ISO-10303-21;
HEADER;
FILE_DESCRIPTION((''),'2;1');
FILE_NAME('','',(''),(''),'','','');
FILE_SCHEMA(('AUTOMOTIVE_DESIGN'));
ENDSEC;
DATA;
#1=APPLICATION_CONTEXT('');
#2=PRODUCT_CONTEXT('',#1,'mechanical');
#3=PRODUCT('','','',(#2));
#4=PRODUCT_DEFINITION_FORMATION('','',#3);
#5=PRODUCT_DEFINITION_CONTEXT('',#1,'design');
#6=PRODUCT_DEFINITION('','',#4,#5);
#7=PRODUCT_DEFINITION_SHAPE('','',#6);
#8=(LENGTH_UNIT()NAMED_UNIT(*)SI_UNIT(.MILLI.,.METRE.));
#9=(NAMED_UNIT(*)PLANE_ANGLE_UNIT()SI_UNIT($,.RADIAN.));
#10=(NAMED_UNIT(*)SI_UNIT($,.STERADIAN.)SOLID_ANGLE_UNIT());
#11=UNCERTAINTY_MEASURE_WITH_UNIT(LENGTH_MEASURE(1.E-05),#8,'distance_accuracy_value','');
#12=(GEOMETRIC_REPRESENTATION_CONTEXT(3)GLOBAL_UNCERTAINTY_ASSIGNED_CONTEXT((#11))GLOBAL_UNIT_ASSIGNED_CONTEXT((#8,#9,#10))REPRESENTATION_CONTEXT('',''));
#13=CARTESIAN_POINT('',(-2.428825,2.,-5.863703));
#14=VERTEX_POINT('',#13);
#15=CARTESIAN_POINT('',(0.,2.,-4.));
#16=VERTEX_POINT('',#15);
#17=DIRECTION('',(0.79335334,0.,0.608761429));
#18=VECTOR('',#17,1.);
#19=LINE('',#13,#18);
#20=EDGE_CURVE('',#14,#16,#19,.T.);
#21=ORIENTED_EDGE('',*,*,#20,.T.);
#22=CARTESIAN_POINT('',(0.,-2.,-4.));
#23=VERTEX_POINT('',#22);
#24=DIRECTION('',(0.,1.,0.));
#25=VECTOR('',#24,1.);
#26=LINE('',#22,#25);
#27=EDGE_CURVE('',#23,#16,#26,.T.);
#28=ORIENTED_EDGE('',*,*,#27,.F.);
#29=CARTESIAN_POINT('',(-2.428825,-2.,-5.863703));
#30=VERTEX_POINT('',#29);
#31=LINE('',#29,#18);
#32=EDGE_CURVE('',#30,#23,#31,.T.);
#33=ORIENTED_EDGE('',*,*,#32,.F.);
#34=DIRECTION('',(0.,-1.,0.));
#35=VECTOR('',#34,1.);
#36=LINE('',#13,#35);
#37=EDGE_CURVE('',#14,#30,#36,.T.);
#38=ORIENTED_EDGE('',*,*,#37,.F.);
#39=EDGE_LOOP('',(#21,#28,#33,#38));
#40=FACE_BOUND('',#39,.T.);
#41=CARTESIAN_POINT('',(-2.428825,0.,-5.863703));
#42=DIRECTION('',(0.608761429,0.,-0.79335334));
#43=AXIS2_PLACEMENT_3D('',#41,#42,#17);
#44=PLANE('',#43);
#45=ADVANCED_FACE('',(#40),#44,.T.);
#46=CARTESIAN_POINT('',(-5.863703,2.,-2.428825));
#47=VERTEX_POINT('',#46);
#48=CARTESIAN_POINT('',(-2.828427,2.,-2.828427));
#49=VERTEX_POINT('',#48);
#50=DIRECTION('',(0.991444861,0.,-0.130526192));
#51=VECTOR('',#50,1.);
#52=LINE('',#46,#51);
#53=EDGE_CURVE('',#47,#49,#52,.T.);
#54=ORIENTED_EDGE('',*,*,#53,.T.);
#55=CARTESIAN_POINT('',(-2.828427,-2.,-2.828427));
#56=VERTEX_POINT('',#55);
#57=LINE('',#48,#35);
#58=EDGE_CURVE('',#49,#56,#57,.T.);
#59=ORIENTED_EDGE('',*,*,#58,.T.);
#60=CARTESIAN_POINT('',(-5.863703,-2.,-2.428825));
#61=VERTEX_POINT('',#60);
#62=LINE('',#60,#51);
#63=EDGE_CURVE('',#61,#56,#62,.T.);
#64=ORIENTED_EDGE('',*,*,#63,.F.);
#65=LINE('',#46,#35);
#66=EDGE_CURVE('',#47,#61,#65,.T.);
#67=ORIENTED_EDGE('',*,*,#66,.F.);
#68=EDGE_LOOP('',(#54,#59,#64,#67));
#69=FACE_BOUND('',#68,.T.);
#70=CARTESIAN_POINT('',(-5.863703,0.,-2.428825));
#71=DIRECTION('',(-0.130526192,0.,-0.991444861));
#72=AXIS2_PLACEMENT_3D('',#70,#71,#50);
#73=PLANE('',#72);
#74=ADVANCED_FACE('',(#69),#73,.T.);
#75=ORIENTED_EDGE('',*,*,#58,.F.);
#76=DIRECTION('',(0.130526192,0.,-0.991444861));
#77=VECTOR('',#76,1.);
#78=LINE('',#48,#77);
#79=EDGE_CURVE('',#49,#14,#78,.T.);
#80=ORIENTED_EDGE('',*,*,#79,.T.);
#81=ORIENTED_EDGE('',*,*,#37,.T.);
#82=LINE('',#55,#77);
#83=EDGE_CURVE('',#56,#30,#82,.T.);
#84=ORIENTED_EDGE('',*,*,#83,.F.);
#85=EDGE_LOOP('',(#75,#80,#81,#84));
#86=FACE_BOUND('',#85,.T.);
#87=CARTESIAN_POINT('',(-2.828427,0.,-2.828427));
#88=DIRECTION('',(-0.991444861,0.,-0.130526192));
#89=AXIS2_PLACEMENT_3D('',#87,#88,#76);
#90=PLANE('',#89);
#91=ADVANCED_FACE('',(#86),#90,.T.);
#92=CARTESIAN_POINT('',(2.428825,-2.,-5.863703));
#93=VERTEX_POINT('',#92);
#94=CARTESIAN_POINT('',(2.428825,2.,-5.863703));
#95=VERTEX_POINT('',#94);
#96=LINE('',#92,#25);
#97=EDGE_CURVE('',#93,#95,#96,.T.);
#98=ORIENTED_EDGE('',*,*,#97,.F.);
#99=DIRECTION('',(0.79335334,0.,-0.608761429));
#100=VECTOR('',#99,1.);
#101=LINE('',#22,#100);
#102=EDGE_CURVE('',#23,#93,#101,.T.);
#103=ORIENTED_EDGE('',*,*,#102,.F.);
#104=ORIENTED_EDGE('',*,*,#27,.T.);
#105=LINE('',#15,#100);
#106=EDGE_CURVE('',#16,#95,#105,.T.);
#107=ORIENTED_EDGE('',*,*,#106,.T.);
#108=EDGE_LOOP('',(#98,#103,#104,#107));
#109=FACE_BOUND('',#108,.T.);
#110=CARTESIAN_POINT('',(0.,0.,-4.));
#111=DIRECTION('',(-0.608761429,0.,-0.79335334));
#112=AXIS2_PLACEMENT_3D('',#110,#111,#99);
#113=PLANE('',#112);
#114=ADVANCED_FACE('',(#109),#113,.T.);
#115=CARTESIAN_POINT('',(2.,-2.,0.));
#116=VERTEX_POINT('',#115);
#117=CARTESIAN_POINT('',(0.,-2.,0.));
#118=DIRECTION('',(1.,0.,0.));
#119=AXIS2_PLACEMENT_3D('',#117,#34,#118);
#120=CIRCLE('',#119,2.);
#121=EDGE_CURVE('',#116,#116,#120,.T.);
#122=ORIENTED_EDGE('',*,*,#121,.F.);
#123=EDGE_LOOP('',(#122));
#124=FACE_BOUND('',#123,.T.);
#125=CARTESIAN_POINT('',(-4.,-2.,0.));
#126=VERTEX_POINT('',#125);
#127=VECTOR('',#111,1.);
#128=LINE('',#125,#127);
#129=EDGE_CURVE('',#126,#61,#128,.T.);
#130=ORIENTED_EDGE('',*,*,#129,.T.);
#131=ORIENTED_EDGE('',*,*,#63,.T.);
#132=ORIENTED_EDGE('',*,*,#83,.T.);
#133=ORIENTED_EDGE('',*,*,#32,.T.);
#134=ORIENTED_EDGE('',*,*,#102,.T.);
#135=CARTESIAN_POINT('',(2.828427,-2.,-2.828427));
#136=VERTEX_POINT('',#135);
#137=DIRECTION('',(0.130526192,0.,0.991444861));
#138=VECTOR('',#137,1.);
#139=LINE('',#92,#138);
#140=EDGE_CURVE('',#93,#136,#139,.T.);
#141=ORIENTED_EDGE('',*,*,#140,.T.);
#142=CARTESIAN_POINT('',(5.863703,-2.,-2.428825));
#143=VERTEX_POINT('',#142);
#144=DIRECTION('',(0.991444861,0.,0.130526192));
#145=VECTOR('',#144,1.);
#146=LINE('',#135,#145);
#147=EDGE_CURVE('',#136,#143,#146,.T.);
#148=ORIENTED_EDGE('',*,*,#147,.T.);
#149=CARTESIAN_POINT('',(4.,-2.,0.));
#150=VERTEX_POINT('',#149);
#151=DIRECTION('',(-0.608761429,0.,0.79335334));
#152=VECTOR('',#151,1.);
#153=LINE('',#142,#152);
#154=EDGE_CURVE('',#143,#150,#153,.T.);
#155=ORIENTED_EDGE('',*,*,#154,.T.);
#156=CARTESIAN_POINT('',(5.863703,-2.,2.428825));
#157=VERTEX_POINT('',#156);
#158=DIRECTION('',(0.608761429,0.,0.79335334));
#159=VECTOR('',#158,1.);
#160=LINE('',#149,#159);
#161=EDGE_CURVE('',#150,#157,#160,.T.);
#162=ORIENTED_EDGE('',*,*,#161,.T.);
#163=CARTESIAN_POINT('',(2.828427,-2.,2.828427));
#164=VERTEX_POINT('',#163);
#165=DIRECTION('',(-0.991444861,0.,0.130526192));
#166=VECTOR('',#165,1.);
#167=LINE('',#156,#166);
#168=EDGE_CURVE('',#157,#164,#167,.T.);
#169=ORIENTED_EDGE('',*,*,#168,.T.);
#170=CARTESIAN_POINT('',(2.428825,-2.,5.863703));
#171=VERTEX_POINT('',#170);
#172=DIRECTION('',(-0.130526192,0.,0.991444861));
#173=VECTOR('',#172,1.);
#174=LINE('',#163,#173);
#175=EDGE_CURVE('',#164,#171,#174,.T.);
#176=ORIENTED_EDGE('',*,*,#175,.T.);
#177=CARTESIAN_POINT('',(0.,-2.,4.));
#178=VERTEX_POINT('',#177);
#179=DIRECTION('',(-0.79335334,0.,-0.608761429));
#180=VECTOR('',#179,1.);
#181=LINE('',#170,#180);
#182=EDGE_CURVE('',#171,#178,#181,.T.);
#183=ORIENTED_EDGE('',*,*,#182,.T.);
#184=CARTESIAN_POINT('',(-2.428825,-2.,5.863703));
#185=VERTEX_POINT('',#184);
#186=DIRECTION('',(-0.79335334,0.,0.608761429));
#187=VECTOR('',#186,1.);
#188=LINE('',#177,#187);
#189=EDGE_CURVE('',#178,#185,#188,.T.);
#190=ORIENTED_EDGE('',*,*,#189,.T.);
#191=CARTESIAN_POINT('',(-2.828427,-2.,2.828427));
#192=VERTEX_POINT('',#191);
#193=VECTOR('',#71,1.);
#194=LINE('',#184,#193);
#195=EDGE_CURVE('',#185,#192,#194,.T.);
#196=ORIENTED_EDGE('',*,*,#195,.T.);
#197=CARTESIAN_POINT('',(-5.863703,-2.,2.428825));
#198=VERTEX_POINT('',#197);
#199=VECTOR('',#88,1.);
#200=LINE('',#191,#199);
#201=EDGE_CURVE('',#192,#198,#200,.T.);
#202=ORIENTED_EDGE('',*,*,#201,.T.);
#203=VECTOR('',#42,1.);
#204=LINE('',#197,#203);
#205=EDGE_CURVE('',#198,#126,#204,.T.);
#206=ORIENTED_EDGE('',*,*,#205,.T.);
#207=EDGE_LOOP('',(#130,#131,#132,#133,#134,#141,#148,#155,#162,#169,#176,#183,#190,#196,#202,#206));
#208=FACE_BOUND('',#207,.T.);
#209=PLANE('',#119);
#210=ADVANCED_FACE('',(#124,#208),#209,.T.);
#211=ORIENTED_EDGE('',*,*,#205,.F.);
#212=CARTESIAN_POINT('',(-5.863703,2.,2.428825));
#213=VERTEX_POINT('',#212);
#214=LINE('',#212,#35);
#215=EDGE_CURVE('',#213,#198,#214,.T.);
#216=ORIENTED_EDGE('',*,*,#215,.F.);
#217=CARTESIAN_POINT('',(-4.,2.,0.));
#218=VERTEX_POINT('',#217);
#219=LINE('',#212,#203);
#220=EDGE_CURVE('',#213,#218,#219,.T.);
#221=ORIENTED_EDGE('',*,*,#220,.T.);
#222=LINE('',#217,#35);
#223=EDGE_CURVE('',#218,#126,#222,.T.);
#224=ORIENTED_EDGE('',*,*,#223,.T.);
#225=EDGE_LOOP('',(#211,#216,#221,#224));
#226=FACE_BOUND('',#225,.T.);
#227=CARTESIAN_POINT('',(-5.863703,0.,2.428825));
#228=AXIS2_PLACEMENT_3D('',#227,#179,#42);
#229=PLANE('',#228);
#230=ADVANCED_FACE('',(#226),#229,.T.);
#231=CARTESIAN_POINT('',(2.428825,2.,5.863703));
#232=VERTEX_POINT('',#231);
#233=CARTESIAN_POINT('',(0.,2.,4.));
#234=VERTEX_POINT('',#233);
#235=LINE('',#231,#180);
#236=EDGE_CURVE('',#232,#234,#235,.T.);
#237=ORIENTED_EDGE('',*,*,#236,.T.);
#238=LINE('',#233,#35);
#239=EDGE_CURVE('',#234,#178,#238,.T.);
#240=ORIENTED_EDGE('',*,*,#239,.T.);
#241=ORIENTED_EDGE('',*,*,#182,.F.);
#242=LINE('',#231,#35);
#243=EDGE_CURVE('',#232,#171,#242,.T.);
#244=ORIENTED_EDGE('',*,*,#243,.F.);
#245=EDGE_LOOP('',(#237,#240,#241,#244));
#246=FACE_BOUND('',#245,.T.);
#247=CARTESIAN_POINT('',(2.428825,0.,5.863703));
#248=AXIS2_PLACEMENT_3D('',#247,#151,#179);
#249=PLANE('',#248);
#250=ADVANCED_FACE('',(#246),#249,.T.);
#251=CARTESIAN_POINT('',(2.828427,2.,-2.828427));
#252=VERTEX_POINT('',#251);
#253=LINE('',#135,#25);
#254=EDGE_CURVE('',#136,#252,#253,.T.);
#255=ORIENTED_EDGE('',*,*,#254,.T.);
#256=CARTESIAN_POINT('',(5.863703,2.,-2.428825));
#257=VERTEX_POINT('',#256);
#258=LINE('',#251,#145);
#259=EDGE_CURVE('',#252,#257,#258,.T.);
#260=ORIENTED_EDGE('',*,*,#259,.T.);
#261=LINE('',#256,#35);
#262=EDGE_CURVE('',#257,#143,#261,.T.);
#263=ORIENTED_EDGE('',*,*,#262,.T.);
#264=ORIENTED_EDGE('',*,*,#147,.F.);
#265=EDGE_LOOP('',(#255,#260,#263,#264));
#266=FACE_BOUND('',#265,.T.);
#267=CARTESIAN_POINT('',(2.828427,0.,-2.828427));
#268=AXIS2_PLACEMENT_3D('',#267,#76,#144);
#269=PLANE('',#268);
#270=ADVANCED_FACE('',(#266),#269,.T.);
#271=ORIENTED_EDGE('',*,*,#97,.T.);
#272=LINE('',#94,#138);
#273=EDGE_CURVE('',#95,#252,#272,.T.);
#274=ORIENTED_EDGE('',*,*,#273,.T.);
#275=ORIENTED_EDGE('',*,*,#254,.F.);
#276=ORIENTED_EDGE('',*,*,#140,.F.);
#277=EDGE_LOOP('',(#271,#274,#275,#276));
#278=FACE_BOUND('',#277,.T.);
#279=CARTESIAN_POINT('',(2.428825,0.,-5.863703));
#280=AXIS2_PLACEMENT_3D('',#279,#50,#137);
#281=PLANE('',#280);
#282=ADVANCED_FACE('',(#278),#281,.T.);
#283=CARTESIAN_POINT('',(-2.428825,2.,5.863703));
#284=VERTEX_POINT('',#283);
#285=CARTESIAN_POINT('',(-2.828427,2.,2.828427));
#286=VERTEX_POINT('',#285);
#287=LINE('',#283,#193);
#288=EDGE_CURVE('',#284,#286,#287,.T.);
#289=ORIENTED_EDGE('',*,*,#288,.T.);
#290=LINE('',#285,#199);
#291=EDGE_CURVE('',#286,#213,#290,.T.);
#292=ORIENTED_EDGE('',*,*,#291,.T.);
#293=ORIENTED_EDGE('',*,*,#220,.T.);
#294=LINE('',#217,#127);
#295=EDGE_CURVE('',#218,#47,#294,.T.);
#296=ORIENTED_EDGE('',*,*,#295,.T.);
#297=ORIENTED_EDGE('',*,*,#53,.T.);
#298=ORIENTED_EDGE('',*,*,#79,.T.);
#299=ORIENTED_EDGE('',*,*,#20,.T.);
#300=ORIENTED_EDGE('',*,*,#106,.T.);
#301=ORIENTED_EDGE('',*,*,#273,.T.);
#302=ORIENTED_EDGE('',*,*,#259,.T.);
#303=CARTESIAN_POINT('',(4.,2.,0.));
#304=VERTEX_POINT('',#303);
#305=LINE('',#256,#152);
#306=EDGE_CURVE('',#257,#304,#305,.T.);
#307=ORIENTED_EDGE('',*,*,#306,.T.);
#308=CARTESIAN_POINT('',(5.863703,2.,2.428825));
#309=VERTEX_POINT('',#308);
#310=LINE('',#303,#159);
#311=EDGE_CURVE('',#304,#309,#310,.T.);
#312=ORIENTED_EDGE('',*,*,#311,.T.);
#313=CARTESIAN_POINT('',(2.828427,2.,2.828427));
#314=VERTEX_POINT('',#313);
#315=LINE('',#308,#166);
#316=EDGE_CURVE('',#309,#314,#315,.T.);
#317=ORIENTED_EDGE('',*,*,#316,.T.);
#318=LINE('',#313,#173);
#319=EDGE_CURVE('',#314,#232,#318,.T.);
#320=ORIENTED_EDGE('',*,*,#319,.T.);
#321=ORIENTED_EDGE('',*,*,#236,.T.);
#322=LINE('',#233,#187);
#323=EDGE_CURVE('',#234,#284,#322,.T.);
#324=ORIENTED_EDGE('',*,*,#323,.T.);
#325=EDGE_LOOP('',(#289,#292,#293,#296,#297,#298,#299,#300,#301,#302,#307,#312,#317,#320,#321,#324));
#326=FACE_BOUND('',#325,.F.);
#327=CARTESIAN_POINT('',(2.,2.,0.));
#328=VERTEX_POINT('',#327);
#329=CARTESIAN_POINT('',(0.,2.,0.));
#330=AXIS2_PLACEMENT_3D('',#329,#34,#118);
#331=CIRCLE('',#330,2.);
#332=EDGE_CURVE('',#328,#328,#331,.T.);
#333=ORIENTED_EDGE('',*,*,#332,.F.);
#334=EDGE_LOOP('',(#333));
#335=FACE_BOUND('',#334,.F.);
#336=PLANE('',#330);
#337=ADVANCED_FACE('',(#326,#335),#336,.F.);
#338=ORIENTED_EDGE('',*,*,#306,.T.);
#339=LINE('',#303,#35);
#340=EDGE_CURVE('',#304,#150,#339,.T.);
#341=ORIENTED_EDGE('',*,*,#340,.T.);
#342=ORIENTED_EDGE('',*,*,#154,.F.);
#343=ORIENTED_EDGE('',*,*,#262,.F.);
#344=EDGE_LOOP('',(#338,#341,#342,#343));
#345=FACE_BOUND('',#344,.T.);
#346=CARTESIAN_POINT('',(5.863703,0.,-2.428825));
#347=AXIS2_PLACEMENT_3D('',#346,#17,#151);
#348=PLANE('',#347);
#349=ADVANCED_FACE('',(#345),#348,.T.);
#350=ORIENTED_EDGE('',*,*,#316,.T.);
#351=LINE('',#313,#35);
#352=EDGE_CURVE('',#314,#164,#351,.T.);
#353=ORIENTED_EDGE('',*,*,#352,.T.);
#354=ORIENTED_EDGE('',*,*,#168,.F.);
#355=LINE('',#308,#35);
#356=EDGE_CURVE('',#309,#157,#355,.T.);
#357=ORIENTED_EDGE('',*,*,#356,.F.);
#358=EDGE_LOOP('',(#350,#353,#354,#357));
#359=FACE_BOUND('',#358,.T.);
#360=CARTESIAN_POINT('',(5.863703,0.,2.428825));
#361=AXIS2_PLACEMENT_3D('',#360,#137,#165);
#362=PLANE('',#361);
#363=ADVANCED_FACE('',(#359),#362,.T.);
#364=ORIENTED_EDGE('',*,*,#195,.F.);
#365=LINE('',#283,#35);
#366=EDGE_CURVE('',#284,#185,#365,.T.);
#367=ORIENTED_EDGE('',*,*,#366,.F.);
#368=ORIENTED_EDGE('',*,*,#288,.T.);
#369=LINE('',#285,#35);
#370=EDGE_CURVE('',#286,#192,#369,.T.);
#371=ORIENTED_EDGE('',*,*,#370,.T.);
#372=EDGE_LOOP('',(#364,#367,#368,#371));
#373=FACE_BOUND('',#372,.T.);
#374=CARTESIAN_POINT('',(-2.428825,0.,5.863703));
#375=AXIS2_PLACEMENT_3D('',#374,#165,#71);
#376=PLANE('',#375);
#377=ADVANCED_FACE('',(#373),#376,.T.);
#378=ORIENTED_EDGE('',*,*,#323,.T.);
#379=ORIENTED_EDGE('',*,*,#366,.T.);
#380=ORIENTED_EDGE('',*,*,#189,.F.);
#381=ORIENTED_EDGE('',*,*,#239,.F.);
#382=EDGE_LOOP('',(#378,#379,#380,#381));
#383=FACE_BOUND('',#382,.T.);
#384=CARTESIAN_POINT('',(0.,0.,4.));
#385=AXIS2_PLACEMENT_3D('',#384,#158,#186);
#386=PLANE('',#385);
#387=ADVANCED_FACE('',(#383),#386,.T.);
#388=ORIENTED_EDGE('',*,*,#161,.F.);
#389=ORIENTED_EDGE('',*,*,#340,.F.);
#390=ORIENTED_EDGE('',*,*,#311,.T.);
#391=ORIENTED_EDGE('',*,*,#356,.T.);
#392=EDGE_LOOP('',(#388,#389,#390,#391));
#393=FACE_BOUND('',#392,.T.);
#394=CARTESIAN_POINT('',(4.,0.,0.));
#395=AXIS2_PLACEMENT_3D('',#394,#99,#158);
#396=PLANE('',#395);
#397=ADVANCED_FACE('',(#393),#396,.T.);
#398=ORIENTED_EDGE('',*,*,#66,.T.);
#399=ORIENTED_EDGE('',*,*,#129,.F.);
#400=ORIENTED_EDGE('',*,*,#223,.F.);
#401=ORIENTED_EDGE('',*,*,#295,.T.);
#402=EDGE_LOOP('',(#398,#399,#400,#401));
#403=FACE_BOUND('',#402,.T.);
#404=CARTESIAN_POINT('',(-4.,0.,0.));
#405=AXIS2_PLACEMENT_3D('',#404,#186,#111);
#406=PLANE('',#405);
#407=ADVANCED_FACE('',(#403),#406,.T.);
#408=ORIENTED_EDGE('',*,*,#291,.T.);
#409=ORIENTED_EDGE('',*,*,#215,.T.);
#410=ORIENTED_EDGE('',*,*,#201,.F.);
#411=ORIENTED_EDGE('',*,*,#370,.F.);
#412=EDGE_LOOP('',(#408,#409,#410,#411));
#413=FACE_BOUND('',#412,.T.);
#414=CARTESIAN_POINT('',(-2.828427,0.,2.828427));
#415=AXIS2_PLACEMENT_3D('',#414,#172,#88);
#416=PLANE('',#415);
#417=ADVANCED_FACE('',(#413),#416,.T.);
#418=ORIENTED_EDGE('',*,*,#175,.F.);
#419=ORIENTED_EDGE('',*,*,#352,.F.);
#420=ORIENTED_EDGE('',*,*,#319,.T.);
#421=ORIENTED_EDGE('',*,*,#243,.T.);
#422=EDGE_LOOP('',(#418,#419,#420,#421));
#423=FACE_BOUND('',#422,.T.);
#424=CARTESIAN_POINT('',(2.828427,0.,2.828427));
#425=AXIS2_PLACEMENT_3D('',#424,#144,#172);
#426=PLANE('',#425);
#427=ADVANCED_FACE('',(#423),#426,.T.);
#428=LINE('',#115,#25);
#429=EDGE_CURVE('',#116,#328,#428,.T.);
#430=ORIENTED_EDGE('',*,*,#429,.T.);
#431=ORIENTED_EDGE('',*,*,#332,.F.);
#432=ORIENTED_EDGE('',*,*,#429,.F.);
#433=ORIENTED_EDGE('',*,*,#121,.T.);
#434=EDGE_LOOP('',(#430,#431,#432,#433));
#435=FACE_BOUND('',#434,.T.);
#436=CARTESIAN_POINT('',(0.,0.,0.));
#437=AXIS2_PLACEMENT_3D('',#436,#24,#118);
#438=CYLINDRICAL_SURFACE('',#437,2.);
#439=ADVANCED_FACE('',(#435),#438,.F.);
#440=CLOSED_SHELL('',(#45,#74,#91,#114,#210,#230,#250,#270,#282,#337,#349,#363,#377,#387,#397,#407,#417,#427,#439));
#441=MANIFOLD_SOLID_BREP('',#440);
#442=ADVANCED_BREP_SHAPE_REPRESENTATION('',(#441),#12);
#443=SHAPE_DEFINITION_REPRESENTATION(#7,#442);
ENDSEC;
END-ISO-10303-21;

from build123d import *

# Parameters (mm, degrees)
F0_R     = 2
F1_DEPTH = 2


with BuildPart() as f1:
    # F0 (on Front) → F1 (new body, symmetric)
    with BuildSketch(Plane.XZ):
        with BuildLine():
            ThreePointArc((2.8284271247, -2.8284271247), (3.69551813, -1.5307337295), (4, 0))
            ThreePointArc((4, 0), (3.69551813, 1.5307337295), (2.8284271247, 2.8284271247))
            ThreePointArc((2.8284271247, 2.8284271247), (1.5307337295, 3.69551813), (0, 4))
            ThreePointArc((0, 4), (-1.5307337295, 3.69551813), (-2.8284271247, 2.8284271247))
            ThreePointArc((-2.8284271247, 2.8284271247), (-3.69551813, 1.5307337295), (-4, 0))
            ThreePointArc((-4, 0), (-3.69551813, -1.5307337295), (-2.8284271247, -2.8284271247))
            ThreePointArc((-2.8284271247, -2.8284271247), (-1.5307337295, -3.69551813), (0, -4))
            ThreePointArc((0, -4), (1.5307337295, -3.69551813), (2.8284271247, -2.8284271247))
        make_face()
        Circle(F0_R, mode=Mode.SUBTRACT)
        with BuildLine():
            Line((5.8637033052, -2.4288254347), (4, 0))
            ThreePointArc((4, 0), (3.69551813, -1.5307337295), (2.8284271247, -2.8284271247))
            Line((2.8284271247, -2.8284271247), (5.8637033052, -2.4288254347))
        make_face()
        with BuildLine():
            ThreePointArc((2.8284271247, 2.8284271247), (3.69551813, 1.5307337295), (4, 0))
            Line((4, 0), (5.8637033052, 2.4288254347))
            Line((5.8637033052, 2.4288254347), (2.8284271247, 2.8284271247))
        make_face()
        with BuildLine():
            ThreePointArc((0, 4), (1.5307337295, 3.69551813), (2.8284271247, 2.8284271247))
            Line((2.8284271247, 2.8284271247), (2.4288254347, 5.8637033052))
            Line((2.4288254347, 5.8637033052), (0, 4))
        make_face()
        with BuildLine():
            Line((2.4288254347, -5.8637033052), (2.8284271247, -2.8284271247))
            ThreePointArc((2.8284271247, -2.8284271247), (1.5307337295, -3.69551813), (0, -4))
            Line((0, -4), (2.4288254347, -5.8637033052))
        make_face()
        with BuildLine():
            ThreePointArc((-2.8284271247, 2.8284271247), (-1.5307337295, 3.69551813), (0, 4))
            Line((0, 4), (-2.4288254347, 5.8637033052))
            Line((-2.4288254347, 5.8637033052), (-2.8284271247, 2.8284271247))
        make_face()
        with BuildLine():
            Line((-2.4288254347, -5.8637033052), (0, -4))
            ThreePointArc((0, -4), (-1.5307337295, -3.69551813), (-2.8284271247, -2.8284271247))
            Line((-2.8284271247, -2.8284271247), (-2.4288254347, -5.8637033052))
        make_face()
        with BuildLine():
            ThreePointArc((-4, 0), (-3.69551813, 1.5307337295), (-2.8284271247, 2.8284271247))
            Line((-2.8284271247, 2.8284271247), (-5.8637033052, 2.4288254347))
            Line((-5.8637033052, 2.4288254347), (-4, 0))
        make_face()
        with BuildLine():
            Line((-5.8637033052, -2.4288254347), (-2.8284271247, -2.8284271247))
            ThreePointArc((-2.8284271247, -2.8284271247), (-3.69551813, -1.5307337295), (-4, 0))
            Line((-4, 0), (-5.8637033052, -2.4288254347))
        make_face()
    extrude(amount=F1_DEPTH, both=True)


solid = f1.part
